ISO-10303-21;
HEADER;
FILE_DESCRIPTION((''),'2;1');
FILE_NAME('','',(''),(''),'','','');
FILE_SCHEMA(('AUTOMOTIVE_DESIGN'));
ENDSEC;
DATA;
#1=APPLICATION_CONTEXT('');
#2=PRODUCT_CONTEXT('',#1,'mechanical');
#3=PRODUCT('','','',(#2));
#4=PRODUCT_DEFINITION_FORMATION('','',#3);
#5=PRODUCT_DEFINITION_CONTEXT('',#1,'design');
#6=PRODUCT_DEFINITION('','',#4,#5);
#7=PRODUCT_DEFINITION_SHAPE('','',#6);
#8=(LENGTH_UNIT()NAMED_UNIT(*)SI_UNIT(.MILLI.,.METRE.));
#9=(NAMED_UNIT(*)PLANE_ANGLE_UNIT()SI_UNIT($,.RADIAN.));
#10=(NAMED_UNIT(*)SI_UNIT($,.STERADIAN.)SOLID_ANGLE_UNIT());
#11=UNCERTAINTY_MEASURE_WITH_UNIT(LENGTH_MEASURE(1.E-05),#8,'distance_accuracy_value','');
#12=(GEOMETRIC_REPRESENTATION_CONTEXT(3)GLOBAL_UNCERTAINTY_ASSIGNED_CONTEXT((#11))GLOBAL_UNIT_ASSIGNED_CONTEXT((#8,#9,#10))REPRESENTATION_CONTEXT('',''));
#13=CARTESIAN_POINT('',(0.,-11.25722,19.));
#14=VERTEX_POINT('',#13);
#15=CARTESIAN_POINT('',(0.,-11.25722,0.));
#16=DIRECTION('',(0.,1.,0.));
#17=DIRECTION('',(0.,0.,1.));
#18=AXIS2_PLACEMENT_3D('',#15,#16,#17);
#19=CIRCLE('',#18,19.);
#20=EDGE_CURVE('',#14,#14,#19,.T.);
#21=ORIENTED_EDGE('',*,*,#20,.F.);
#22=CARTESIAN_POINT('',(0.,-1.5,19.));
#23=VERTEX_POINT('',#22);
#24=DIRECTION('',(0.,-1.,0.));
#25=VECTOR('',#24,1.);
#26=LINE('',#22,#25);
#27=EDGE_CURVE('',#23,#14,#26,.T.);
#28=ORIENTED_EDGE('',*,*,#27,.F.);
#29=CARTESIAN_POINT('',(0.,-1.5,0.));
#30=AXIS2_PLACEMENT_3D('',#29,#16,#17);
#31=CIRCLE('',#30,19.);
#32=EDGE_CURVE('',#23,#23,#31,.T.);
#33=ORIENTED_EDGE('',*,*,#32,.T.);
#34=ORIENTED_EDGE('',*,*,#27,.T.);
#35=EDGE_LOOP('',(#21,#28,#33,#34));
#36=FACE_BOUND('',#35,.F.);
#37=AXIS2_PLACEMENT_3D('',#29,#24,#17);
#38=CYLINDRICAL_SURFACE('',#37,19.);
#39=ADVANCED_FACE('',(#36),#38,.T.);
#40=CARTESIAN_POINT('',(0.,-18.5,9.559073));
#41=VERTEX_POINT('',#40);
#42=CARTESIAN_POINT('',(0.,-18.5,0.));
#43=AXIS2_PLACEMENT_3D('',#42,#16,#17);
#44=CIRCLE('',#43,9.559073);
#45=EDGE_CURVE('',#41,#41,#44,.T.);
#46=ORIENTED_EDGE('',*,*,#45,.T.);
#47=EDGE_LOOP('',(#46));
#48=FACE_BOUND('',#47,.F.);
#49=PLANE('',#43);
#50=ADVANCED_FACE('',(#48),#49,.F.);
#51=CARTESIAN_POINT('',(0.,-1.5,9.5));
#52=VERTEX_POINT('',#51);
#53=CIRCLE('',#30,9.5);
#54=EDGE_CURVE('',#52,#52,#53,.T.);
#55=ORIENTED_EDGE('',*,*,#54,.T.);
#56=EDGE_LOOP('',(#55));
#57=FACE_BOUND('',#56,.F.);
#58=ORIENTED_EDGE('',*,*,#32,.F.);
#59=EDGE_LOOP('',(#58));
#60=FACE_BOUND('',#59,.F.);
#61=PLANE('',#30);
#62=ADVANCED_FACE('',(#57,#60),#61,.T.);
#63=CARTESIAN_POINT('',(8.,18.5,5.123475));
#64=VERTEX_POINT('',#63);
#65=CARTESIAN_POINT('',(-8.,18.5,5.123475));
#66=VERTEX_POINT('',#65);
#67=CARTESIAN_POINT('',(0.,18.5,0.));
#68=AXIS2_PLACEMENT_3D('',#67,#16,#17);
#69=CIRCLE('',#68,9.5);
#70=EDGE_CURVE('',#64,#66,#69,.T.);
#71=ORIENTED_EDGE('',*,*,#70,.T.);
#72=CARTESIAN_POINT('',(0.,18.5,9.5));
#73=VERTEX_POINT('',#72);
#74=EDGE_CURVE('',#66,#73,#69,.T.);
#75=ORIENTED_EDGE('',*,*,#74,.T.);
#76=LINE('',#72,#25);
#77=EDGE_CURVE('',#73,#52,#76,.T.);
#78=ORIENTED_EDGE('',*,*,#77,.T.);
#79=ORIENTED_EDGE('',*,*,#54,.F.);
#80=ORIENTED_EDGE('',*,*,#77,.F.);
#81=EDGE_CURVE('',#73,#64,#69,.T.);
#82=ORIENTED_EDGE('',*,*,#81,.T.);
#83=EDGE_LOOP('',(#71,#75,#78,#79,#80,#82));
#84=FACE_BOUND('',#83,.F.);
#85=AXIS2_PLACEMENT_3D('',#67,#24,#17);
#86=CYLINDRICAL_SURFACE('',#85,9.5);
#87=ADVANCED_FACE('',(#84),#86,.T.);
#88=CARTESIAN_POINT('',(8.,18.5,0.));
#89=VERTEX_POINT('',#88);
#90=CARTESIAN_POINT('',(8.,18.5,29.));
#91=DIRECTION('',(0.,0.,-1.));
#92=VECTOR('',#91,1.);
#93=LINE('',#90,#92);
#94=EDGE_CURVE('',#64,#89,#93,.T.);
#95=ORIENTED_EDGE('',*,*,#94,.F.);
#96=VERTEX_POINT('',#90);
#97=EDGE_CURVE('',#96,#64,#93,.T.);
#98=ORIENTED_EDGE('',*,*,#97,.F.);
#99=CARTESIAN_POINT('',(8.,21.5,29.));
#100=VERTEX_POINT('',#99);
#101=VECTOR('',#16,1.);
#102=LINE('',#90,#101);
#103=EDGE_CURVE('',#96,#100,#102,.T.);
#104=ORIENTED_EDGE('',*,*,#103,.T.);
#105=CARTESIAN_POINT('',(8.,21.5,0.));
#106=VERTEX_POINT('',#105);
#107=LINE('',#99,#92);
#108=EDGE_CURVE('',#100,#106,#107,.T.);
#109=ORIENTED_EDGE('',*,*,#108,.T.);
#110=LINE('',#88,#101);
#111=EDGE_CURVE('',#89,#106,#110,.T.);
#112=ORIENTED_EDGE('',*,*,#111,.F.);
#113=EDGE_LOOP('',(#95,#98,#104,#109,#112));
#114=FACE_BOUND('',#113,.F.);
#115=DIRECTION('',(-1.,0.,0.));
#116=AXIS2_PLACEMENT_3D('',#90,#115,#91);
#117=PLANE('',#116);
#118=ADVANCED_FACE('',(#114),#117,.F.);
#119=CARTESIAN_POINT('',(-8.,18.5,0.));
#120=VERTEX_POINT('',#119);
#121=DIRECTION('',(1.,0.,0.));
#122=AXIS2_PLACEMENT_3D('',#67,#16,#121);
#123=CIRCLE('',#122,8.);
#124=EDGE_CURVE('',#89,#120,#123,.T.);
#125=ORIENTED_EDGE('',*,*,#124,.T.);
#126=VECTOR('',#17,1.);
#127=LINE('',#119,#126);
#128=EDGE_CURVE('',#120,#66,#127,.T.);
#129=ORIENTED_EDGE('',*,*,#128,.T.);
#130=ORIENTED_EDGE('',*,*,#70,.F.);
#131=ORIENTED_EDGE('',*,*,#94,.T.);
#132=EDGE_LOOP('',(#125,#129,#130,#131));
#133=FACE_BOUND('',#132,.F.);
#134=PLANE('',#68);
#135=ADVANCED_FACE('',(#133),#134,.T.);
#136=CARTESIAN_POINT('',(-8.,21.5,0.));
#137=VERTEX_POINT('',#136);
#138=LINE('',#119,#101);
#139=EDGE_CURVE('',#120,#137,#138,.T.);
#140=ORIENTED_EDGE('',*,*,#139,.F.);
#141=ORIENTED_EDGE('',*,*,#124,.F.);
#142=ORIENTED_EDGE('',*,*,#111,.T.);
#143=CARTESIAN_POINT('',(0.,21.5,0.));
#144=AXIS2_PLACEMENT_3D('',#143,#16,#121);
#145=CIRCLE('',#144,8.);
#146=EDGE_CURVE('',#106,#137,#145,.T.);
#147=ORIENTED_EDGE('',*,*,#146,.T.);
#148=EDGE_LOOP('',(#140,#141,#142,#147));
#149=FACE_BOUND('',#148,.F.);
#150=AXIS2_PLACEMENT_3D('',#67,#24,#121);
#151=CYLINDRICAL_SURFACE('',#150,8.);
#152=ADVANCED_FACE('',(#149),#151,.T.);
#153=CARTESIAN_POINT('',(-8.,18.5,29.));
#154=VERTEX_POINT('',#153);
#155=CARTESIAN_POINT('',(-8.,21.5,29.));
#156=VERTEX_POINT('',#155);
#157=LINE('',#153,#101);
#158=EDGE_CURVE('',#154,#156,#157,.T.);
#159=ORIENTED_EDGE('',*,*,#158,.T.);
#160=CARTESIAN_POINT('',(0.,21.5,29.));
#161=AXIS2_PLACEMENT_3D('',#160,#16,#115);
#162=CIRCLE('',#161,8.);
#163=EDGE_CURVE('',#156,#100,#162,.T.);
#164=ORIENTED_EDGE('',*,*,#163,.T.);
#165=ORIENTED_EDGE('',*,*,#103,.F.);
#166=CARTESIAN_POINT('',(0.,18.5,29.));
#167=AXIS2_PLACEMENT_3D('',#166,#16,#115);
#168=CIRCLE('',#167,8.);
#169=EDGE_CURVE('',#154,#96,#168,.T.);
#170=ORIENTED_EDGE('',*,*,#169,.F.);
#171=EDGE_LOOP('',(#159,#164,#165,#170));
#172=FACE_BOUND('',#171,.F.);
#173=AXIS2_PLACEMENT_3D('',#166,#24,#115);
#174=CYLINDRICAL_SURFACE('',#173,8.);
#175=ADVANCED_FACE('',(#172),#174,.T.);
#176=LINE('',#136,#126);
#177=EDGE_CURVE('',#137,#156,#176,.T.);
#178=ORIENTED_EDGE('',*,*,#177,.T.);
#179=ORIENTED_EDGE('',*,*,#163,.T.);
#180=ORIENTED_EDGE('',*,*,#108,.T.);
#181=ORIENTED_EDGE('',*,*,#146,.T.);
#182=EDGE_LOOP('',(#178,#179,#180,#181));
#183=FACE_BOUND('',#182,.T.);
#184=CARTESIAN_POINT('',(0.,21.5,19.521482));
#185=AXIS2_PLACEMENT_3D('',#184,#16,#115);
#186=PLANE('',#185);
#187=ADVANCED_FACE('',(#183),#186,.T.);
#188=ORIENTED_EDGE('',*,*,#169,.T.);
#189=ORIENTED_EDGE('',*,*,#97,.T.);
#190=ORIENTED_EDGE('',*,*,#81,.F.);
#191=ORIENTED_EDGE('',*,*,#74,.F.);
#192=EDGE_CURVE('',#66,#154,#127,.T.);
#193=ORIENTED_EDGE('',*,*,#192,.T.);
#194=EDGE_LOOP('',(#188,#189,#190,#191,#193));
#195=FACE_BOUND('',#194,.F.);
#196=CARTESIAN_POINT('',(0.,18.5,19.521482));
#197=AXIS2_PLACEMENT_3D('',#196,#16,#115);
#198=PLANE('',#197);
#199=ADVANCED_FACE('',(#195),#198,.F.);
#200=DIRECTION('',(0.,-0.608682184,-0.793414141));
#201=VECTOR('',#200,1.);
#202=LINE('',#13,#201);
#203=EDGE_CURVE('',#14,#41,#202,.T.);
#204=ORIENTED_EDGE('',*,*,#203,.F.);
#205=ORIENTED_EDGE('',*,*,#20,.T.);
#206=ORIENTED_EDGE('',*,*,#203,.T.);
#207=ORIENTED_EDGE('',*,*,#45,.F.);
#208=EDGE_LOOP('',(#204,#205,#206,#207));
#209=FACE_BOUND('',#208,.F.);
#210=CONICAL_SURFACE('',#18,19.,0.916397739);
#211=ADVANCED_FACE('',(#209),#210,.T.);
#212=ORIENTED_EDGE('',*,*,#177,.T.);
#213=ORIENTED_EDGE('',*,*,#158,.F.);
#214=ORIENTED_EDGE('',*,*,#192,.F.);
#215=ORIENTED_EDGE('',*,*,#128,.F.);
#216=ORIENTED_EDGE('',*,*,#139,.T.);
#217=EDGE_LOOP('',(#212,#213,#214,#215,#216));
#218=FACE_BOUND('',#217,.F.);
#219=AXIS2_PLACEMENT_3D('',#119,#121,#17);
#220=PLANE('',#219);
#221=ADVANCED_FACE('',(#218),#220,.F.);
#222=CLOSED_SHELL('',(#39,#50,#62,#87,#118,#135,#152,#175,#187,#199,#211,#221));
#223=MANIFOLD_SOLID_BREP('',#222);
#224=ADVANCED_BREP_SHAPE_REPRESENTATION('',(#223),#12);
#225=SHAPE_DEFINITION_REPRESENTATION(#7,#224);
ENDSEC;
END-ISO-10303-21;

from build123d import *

# Parameters (mm, degrees)
F3_DEPTH = 3


with BuildPart() as f1:
    # F0 (on Right) → F1 (revolve)
    with BuildSketch(Plane.YZ):
        Polygon((-18.5, 9.559073), (-18.5, 0), (18.5, 0), (18.5, 9.5), (-1.5, 9.5), (-1.5, 19), (-11.25722, 19), align=None)
    revolve(axis=Axis((0, -2.898404, 0), (0, 1, 0)))

    # F2 (on face) → F3 (join)
    with BuildSketch(Plane(origin=(0, 18.5, 0), x_dir=(-1, 0, 0), z_dir=(0, 1, 0))):
        with BuildLine():
            ThreePointArc((8, 29), (0, 37), (-8, 29))
            Line((-8, 29), (-8, 5.123475))
            ThreePointArc((-8, 5.123475), (0, 9.5), (8, 5.123475))
            Line((8, 5.123475), (8, 29))
        make_face()
        with BuildLine():
            ThreePointArc((8, 5.123475), (0, 9.5), (-8, 5.123475))
            Line((-8, 5.123475), (-8, 0))
            ThreePointArc((-8, 0), (0, -8), (8, 0))
            Line((8, 0), (8, 5.123475))
        make_face()
    extrude(amount=F3_DEPTH)


solid = f1.part
